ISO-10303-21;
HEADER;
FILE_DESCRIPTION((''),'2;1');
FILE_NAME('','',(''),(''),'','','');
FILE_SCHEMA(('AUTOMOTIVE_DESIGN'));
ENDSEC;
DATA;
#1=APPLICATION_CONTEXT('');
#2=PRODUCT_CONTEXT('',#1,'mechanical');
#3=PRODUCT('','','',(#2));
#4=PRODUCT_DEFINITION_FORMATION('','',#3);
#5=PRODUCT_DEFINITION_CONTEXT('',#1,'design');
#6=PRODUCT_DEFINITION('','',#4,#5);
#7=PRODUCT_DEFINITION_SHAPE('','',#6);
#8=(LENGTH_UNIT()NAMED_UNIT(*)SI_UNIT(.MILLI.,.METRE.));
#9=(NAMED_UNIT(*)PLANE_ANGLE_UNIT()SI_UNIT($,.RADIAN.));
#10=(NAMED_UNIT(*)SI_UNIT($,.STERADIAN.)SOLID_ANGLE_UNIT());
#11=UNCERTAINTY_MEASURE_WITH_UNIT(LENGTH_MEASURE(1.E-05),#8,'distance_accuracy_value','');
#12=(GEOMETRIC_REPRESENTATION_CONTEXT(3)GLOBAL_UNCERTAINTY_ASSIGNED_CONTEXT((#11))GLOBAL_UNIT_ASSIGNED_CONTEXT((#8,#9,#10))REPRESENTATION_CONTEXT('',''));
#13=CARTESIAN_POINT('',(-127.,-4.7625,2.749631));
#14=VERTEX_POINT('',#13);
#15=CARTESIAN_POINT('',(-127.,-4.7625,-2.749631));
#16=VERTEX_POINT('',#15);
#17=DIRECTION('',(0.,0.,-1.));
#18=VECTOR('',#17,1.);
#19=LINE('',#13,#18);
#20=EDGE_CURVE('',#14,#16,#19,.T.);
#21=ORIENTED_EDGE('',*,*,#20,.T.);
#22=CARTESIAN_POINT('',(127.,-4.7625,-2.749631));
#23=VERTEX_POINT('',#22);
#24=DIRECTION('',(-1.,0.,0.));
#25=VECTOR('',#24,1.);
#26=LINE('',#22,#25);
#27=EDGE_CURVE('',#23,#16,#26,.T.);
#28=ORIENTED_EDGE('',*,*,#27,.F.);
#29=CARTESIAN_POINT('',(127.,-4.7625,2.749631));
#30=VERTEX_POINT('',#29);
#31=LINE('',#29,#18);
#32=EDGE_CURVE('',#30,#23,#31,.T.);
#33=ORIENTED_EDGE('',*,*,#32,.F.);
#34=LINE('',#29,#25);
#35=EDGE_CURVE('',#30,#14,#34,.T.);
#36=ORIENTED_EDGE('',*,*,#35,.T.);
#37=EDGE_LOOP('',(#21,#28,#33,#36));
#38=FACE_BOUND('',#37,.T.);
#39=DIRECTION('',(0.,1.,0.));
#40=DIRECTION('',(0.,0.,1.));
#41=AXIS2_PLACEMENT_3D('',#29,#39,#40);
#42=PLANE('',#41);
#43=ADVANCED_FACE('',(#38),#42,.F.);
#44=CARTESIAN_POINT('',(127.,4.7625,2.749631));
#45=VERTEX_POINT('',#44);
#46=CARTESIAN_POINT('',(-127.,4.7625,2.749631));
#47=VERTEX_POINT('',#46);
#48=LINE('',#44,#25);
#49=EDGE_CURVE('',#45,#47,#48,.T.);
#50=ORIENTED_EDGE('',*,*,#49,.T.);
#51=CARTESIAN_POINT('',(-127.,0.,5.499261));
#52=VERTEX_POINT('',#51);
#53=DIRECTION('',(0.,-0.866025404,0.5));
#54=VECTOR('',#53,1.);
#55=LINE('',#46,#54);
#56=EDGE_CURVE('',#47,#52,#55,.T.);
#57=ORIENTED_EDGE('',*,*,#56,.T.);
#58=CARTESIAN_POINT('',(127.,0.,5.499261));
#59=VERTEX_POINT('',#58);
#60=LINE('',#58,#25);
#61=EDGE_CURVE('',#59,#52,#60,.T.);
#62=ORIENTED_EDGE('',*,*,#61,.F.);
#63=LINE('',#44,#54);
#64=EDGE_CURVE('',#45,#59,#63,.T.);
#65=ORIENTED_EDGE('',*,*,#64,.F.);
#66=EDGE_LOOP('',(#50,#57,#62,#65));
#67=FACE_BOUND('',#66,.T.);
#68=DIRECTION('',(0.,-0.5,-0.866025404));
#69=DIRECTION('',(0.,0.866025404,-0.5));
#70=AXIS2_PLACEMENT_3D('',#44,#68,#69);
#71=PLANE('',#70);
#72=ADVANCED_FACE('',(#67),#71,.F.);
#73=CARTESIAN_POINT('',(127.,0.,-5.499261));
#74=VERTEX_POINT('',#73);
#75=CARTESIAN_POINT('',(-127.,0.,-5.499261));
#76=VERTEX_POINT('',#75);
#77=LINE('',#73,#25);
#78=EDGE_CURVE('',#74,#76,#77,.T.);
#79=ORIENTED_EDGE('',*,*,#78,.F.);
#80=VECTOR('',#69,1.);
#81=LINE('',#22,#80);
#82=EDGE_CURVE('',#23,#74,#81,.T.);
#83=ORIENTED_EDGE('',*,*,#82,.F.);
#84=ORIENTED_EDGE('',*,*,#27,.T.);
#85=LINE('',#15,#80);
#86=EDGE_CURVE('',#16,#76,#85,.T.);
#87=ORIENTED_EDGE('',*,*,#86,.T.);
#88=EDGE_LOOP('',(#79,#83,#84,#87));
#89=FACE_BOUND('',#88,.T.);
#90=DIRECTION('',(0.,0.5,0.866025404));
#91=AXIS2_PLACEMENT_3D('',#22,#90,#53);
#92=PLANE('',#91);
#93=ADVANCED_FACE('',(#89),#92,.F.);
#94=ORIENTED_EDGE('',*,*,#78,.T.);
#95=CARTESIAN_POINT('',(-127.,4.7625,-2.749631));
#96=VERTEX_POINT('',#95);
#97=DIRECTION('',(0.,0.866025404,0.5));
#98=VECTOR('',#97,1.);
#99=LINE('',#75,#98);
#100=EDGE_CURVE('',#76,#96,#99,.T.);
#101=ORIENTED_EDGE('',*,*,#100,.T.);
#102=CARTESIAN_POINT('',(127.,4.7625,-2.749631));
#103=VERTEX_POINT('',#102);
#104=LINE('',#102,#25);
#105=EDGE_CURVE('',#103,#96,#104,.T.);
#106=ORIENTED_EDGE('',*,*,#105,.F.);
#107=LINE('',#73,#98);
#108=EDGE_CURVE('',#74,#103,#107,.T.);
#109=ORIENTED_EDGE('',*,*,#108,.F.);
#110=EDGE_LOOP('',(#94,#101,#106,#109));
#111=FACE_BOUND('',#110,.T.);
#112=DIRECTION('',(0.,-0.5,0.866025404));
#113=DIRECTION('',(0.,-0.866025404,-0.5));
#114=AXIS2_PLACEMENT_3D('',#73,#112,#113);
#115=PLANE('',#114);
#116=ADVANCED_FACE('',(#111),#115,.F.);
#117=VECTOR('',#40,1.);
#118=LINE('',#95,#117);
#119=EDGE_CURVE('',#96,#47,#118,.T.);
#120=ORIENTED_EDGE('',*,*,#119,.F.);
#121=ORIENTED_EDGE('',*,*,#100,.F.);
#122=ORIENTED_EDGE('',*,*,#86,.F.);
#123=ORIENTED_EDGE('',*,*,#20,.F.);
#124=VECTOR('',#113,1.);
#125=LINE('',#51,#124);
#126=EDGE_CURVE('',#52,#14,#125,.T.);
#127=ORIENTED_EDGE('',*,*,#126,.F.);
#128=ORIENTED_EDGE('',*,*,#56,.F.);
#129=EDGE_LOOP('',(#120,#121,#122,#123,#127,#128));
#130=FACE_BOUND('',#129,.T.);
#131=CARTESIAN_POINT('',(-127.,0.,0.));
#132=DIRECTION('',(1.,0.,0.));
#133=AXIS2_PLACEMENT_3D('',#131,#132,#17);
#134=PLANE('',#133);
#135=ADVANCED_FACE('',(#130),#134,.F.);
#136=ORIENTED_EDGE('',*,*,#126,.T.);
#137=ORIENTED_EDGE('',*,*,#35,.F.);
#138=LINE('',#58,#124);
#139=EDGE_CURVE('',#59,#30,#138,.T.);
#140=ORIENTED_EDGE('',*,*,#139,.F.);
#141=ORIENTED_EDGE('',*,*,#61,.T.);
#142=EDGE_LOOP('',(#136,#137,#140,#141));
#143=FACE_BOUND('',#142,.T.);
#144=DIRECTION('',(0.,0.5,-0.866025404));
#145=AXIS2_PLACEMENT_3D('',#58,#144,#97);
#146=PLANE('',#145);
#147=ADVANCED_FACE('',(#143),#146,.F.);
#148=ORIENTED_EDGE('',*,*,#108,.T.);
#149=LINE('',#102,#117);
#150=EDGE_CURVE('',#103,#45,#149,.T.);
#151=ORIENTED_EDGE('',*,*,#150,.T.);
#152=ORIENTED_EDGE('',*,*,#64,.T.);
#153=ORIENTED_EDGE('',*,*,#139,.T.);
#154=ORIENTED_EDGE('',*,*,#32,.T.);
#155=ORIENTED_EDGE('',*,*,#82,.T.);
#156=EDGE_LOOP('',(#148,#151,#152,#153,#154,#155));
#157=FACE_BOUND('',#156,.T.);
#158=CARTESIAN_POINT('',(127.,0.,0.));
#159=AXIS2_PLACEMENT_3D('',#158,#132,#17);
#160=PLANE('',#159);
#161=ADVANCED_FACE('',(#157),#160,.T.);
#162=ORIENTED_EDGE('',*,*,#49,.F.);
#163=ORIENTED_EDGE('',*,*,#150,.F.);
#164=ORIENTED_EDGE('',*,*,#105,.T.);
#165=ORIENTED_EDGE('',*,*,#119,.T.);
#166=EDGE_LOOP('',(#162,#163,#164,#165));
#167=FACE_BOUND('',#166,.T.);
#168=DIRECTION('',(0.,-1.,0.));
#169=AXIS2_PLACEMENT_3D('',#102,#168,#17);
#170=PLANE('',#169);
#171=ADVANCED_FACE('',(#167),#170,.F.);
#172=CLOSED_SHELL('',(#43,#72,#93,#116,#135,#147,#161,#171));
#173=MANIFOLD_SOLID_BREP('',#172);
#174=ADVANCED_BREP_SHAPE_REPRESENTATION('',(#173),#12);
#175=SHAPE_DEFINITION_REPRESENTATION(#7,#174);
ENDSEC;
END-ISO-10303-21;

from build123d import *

# Parameters (mm, degrees)
BOSS_EXTRUDE1_DEPTH = 127


with BuildPart() as part:
    # Sketch1 → Boss-Extrude1 (new body, symmetric)
    with BuildSketch(Plane(origin=(0, 0, 0), x_dir=(0, 0, -1), z_dir=(1, 0, 0))):
        Polygon((2.749630657, -4.7625), (5.499261314, 0), (2.749630657, 4.7625), (-2.749630657, 4.7625), (-5.499261314, 0), (-2.749630657, -4.7625), align=None)
    extrude(amount=BOSS_EXTRUDE1_DEPTH, both=True)


solid = part.part
